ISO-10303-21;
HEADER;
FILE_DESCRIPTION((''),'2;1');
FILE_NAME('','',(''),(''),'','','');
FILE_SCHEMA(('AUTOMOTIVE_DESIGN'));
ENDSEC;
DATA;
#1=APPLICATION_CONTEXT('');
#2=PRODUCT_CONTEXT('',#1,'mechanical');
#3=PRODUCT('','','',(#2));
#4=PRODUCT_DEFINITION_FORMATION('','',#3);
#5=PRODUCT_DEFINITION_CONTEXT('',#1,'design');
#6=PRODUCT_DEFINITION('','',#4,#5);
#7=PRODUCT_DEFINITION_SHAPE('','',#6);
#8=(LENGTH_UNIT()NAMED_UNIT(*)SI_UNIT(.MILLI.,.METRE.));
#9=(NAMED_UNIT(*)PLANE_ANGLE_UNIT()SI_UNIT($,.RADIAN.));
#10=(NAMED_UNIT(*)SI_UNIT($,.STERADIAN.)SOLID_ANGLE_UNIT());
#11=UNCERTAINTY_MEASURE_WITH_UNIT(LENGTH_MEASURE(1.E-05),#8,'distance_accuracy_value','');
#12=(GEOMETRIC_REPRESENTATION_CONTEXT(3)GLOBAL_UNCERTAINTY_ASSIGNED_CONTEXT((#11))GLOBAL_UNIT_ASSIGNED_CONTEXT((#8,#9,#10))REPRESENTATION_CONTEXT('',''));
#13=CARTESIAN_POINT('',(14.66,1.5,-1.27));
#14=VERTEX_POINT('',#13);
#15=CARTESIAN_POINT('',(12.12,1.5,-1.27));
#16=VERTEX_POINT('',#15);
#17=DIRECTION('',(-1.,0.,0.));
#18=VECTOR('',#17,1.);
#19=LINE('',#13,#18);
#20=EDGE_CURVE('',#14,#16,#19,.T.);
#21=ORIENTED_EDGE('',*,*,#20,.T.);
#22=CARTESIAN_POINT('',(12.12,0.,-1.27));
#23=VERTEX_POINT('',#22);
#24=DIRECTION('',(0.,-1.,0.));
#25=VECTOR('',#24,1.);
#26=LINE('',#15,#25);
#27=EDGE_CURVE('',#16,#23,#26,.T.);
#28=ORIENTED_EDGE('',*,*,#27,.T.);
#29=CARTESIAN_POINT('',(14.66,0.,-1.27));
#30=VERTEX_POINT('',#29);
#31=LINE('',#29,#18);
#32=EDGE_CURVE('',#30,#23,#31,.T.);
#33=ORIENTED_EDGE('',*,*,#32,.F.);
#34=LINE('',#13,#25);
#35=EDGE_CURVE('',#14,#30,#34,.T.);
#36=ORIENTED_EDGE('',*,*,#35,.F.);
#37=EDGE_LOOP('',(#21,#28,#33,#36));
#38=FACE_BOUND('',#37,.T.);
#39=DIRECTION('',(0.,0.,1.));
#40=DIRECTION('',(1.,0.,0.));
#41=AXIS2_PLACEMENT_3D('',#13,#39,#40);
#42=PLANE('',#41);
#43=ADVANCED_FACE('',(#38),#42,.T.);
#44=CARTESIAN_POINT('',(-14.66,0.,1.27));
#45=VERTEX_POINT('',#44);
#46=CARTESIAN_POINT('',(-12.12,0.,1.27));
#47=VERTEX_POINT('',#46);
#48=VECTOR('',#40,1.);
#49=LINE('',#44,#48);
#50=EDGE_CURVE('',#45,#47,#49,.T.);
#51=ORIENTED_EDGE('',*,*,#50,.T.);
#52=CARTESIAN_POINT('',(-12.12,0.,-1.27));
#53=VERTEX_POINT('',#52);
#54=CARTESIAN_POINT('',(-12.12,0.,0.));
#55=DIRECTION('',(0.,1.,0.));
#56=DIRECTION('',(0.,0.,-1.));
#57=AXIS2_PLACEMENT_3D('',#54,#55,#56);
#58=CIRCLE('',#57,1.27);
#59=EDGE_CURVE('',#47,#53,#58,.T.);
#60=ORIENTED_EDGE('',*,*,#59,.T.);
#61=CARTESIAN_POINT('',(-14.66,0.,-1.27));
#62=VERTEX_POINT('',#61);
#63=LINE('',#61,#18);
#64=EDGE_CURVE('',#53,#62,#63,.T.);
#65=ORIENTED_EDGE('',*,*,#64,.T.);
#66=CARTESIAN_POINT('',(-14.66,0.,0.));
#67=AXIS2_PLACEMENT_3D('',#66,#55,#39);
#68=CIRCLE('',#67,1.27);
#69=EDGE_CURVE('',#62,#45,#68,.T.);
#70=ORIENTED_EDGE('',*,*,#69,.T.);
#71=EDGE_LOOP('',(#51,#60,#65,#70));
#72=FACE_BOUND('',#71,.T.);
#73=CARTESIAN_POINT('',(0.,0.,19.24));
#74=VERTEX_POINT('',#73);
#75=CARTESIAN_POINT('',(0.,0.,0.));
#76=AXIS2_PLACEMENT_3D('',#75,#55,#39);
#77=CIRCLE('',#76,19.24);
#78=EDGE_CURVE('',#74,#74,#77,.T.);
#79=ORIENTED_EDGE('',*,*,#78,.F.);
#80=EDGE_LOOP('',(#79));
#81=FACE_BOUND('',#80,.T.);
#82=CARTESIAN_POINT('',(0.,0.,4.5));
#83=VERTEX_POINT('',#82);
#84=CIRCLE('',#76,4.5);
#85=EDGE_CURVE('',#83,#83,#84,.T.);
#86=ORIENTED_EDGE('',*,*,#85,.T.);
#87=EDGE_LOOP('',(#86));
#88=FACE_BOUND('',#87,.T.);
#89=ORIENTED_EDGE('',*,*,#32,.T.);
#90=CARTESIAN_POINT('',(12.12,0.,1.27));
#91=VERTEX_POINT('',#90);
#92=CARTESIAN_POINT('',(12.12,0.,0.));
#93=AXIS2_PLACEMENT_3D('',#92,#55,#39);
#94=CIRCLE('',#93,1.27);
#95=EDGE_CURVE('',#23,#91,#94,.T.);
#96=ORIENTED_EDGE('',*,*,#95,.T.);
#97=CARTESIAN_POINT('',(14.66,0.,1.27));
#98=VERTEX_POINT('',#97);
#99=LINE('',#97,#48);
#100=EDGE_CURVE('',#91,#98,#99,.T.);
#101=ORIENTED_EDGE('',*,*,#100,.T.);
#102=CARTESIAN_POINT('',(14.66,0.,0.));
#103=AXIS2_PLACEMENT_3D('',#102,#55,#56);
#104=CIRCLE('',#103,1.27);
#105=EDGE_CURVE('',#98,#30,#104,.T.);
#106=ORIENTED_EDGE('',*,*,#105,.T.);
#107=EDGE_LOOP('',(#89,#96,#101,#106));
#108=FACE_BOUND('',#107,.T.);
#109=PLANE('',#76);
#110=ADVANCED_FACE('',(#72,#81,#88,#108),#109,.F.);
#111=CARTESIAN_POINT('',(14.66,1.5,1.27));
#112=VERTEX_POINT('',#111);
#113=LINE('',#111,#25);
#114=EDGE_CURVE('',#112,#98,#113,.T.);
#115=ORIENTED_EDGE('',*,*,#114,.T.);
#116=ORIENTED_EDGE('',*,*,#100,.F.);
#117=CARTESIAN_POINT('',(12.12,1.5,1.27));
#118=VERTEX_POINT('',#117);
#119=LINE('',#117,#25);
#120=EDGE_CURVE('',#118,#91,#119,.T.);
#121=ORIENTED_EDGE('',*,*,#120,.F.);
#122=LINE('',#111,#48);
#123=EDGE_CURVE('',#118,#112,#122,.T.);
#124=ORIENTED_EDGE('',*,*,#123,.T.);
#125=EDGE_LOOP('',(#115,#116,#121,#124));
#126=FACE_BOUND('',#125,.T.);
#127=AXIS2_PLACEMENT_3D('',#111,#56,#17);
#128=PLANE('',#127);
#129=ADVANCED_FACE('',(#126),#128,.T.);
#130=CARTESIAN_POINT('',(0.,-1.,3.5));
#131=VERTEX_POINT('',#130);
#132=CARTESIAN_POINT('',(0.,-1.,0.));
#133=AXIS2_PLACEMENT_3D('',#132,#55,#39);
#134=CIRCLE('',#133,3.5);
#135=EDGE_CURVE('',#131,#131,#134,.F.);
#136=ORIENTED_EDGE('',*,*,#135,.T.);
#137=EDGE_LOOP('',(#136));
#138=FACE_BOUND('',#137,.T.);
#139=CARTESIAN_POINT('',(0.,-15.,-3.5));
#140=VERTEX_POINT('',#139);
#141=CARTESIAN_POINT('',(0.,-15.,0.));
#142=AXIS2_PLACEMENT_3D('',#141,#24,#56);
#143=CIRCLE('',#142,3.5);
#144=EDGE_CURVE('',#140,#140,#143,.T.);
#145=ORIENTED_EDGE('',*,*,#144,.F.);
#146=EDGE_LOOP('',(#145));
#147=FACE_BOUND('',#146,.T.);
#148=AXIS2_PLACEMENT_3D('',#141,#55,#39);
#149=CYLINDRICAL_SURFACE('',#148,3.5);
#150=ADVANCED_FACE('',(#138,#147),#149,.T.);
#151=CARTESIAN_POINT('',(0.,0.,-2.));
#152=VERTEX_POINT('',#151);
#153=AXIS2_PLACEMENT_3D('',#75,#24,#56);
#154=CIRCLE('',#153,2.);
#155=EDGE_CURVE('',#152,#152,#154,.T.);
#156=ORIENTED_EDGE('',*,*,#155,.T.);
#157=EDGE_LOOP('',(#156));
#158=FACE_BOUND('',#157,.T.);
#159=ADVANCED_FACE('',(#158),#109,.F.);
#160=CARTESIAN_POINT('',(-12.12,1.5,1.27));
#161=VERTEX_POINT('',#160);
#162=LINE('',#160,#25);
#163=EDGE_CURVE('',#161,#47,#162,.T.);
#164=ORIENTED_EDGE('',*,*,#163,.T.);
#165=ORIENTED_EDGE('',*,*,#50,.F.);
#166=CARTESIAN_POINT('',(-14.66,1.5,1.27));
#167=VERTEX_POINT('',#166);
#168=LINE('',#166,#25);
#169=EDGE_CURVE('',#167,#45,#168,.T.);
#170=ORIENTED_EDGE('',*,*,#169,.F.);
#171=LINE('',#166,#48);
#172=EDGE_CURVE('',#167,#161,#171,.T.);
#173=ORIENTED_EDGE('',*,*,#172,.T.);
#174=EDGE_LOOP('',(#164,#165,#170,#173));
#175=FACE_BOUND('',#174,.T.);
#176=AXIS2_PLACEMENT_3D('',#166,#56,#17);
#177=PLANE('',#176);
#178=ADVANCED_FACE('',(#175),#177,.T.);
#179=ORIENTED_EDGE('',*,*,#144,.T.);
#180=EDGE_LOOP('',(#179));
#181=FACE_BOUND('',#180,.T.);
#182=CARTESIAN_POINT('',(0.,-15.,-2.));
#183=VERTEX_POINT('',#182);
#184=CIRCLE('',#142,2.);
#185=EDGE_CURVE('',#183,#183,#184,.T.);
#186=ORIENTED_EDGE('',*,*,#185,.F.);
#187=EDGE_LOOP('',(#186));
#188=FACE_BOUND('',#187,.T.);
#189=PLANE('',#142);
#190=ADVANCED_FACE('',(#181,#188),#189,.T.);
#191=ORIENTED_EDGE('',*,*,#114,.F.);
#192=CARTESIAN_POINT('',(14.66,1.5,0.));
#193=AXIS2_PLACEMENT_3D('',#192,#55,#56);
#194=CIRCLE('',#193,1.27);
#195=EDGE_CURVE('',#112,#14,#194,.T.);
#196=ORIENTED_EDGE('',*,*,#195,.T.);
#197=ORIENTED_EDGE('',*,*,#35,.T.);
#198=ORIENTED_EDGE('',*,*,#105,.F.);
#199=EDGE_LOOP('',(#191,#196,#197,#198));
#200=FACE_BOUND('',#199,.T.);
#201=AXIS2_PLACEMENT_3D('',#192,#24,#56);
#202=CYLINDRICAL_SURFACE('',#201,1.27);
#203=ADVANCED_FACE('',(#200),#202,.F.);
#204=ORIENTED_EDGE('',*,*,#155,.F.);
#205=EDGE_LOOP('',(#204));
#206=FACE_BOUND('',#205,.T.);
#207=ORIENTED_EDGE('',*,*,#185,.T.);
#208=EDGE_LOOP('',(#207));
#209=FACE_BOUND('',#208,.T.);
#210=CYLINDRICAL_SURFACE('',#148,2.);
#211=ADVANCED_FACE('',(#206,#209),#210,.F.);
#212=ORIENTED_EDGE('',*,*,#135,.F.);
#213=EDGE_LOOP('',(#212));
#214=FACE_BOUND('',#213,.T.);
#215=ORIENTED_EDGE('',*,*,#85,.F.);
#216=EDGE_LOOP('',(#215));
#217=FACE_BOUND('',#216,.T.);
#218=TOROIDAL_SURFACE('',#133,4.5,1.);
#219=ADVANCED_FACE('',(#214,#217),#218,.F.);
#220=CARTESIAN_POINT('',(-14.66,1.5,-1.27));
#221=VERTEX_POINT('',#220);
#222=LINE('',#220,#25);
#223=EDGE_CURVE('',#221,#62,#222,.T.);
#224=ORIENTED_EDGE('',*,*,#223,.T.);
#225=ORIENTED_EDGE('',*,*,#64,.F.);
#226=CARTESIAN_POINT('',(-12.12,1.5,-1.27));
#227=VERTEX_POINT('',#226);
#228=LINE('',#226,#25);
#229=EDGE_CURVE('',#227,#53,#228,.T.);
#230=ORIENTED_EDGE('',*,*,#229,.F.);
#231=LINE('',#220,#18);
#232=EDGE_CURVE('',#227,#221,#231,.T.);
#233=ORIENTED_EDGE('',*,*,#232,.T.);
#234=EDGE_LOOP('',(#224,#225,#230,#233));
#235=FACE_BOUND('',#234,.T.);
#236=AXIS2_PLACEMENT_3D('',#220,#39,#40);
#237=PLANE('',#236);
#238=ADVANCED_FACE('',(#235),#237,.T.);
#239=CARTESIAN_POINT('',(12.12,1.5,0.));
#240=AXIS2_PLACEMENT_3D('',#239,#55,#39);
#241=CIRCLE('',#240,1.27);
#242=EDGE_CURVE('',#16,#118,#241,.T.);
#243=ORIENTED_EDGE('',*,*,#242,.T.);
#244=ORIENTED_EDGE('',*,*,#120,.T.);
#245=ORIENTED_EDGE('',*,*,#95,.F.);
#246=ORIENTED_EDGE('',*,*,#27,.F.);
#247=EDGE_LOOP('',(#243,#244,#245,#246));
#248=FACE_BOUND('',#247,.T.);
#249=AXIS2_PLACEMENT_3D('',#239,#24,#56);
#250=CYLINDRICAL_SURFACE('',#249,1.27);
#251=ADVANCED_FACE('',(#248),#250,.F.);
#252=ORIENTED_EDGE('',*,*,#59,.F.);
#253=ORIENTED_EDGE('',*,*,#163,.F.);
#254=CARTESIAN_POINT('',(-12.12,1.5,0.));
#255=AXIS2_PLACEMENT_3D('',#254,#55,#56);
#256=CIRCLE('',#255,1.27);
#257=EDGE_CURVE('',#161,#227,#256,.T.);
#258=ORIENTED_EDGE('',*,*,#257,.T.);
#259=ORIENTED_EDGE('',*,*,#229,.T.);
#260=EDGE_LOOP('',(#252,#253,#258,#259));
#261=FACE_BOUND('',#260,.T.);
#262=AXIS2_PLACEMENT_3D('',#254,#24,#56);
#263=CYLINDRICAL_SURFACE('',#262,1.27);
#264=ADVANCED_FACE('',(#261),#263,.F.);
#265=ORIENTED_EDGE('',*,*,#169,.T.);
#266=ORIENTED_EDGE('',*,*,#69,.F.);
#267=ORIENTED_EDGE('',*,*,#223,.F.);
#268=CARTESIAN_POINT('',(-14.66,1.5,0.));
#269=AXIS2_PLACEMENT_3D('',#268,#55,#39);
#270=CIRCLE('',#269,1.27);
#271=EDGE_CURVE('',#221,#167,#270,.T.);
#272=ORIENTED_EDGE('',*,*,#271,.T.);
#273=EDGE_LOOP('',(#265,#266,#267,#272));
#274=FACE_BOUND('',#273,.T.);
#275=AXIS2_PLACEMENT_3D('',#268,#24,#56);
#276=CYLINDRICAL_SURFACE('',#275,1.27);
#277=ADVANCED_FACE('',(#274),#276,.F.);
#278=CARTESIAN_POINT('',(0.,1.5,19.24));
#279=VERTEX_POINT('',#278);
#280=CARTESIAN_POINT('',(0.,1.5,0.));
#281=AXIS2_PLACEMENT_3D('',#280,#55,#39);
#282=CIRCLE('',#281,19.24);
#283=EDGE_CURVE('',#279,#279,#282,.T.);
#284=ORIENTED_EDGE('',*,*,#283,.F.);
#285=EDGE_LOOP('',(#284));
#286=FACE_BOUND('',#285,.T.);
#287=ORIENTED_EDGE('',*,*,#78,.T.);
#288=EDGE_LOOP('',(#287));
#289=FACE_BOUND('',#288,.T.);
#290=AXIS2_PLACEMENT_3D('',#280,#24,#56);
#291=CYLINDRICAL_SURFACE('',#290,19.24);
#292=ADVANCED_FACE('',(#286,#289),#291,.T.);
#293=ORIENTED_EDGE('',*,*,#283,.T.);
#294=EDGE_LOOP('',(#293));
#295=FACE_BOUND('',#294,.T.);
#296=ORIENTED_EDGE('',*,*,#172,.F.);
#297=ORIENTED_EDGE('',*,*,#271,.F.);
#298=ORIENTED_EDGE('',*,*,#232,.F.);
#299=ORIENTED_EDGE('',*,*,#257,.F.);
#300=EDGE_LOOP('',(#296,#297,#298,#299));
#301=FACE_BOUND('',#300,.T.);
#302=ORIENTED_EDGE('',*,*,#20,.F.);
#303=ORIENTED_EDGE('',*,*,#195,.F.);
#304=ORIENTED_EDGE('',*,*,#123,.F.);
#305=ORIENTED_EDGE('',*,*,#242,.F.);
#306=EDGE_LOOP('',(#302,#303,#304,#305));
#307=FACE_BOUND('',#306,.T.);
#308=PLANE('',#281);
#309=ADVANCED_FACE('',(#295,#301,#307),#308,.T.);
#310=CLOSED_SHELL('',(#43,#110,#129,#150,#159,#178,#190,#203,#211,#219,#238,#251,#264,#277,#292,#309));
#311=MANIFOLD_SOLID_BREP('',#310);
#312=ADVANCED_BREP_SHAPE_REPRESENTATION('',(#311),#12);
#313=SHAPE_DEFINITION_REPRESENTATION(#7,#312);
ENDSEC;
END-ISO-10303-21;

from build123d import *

# Parameters (mm, degrees)
SKETCH1_R           = 19.24
BOSS_EXTRUDE1_DEPTH = 1.5
SKETCH2_R           = 3.5
SKETCH2_R_2         = 2
BOSS_EXTRUDE2_DEPTH = 15
FILLET1_R           = 1


with BuildPart() as part:
    # Sketch1 → Boss-Extrude1 (new body)
    with BuildSketch(Plane(origin=(0, 0, 0), x_dir=(1, 0, 0), z_dir=(0, 1, 0))):
        with Locations(Location((0, 0, 0), (0, 0, 270))):
            Circle(SKETCH1_R)
        with BuildLine():
            Line((14.66, 1.27), (12.12, 1.27))
            ThreePointArc((12.12, 1.27), (10.85, 0), (12.12, -1.27))
            Line((12.12, -1.27), (14.66, -1.27))
            ThreePointArc((14.66, -1.27), (15.93, 0), (14.66, 1.27))
        make_face(mode=Mode.SUBTRACT)
        with BuildLine():
            Line((-14.66, -1.27), (-12.12, -1.27))
            ThreePointArc((-12.12, -1.27), (-10.85, 0), (-12.12, 1.27))
            Line((-12.12, 1.27), (-14.66, 1.27))
            ThreePointArc((-14.66, 1.27), (-15.93, 0), (-14.66, -1.27))
        make_face(mode=Mode.SUBTRACT)
    extrude(amount=BOSS_EXTRUDE1_DEPTH)

    # Sketch2 → Boss-Extrude2 (add)
    with BuildSketch(Plane(origin=(0, 0, 0), x_dir=(-1, 0, 0), z_dir=(0, -1, 0))):
        with Locations(Location((0, 0, 0), (0, 0, 270))):
            Circle(SKETCH2_R)
        with Locations(Location((0, 0, 0), (0, 0, 90))):
            Circle(SKETCH2_R_2, mode=Mode.SUBTRACT)
    extrude(amount=BOSS_EXTRUDE2_DEPTH)

    # Fillet1
    fillet1_edges = [part.edges().sort_by_distance(p)[0] for p in [
        (0, 0, -3.5),
    ]]
    fillet(fillet1_edges, radius=FILLET1_R)


solid = part.part
